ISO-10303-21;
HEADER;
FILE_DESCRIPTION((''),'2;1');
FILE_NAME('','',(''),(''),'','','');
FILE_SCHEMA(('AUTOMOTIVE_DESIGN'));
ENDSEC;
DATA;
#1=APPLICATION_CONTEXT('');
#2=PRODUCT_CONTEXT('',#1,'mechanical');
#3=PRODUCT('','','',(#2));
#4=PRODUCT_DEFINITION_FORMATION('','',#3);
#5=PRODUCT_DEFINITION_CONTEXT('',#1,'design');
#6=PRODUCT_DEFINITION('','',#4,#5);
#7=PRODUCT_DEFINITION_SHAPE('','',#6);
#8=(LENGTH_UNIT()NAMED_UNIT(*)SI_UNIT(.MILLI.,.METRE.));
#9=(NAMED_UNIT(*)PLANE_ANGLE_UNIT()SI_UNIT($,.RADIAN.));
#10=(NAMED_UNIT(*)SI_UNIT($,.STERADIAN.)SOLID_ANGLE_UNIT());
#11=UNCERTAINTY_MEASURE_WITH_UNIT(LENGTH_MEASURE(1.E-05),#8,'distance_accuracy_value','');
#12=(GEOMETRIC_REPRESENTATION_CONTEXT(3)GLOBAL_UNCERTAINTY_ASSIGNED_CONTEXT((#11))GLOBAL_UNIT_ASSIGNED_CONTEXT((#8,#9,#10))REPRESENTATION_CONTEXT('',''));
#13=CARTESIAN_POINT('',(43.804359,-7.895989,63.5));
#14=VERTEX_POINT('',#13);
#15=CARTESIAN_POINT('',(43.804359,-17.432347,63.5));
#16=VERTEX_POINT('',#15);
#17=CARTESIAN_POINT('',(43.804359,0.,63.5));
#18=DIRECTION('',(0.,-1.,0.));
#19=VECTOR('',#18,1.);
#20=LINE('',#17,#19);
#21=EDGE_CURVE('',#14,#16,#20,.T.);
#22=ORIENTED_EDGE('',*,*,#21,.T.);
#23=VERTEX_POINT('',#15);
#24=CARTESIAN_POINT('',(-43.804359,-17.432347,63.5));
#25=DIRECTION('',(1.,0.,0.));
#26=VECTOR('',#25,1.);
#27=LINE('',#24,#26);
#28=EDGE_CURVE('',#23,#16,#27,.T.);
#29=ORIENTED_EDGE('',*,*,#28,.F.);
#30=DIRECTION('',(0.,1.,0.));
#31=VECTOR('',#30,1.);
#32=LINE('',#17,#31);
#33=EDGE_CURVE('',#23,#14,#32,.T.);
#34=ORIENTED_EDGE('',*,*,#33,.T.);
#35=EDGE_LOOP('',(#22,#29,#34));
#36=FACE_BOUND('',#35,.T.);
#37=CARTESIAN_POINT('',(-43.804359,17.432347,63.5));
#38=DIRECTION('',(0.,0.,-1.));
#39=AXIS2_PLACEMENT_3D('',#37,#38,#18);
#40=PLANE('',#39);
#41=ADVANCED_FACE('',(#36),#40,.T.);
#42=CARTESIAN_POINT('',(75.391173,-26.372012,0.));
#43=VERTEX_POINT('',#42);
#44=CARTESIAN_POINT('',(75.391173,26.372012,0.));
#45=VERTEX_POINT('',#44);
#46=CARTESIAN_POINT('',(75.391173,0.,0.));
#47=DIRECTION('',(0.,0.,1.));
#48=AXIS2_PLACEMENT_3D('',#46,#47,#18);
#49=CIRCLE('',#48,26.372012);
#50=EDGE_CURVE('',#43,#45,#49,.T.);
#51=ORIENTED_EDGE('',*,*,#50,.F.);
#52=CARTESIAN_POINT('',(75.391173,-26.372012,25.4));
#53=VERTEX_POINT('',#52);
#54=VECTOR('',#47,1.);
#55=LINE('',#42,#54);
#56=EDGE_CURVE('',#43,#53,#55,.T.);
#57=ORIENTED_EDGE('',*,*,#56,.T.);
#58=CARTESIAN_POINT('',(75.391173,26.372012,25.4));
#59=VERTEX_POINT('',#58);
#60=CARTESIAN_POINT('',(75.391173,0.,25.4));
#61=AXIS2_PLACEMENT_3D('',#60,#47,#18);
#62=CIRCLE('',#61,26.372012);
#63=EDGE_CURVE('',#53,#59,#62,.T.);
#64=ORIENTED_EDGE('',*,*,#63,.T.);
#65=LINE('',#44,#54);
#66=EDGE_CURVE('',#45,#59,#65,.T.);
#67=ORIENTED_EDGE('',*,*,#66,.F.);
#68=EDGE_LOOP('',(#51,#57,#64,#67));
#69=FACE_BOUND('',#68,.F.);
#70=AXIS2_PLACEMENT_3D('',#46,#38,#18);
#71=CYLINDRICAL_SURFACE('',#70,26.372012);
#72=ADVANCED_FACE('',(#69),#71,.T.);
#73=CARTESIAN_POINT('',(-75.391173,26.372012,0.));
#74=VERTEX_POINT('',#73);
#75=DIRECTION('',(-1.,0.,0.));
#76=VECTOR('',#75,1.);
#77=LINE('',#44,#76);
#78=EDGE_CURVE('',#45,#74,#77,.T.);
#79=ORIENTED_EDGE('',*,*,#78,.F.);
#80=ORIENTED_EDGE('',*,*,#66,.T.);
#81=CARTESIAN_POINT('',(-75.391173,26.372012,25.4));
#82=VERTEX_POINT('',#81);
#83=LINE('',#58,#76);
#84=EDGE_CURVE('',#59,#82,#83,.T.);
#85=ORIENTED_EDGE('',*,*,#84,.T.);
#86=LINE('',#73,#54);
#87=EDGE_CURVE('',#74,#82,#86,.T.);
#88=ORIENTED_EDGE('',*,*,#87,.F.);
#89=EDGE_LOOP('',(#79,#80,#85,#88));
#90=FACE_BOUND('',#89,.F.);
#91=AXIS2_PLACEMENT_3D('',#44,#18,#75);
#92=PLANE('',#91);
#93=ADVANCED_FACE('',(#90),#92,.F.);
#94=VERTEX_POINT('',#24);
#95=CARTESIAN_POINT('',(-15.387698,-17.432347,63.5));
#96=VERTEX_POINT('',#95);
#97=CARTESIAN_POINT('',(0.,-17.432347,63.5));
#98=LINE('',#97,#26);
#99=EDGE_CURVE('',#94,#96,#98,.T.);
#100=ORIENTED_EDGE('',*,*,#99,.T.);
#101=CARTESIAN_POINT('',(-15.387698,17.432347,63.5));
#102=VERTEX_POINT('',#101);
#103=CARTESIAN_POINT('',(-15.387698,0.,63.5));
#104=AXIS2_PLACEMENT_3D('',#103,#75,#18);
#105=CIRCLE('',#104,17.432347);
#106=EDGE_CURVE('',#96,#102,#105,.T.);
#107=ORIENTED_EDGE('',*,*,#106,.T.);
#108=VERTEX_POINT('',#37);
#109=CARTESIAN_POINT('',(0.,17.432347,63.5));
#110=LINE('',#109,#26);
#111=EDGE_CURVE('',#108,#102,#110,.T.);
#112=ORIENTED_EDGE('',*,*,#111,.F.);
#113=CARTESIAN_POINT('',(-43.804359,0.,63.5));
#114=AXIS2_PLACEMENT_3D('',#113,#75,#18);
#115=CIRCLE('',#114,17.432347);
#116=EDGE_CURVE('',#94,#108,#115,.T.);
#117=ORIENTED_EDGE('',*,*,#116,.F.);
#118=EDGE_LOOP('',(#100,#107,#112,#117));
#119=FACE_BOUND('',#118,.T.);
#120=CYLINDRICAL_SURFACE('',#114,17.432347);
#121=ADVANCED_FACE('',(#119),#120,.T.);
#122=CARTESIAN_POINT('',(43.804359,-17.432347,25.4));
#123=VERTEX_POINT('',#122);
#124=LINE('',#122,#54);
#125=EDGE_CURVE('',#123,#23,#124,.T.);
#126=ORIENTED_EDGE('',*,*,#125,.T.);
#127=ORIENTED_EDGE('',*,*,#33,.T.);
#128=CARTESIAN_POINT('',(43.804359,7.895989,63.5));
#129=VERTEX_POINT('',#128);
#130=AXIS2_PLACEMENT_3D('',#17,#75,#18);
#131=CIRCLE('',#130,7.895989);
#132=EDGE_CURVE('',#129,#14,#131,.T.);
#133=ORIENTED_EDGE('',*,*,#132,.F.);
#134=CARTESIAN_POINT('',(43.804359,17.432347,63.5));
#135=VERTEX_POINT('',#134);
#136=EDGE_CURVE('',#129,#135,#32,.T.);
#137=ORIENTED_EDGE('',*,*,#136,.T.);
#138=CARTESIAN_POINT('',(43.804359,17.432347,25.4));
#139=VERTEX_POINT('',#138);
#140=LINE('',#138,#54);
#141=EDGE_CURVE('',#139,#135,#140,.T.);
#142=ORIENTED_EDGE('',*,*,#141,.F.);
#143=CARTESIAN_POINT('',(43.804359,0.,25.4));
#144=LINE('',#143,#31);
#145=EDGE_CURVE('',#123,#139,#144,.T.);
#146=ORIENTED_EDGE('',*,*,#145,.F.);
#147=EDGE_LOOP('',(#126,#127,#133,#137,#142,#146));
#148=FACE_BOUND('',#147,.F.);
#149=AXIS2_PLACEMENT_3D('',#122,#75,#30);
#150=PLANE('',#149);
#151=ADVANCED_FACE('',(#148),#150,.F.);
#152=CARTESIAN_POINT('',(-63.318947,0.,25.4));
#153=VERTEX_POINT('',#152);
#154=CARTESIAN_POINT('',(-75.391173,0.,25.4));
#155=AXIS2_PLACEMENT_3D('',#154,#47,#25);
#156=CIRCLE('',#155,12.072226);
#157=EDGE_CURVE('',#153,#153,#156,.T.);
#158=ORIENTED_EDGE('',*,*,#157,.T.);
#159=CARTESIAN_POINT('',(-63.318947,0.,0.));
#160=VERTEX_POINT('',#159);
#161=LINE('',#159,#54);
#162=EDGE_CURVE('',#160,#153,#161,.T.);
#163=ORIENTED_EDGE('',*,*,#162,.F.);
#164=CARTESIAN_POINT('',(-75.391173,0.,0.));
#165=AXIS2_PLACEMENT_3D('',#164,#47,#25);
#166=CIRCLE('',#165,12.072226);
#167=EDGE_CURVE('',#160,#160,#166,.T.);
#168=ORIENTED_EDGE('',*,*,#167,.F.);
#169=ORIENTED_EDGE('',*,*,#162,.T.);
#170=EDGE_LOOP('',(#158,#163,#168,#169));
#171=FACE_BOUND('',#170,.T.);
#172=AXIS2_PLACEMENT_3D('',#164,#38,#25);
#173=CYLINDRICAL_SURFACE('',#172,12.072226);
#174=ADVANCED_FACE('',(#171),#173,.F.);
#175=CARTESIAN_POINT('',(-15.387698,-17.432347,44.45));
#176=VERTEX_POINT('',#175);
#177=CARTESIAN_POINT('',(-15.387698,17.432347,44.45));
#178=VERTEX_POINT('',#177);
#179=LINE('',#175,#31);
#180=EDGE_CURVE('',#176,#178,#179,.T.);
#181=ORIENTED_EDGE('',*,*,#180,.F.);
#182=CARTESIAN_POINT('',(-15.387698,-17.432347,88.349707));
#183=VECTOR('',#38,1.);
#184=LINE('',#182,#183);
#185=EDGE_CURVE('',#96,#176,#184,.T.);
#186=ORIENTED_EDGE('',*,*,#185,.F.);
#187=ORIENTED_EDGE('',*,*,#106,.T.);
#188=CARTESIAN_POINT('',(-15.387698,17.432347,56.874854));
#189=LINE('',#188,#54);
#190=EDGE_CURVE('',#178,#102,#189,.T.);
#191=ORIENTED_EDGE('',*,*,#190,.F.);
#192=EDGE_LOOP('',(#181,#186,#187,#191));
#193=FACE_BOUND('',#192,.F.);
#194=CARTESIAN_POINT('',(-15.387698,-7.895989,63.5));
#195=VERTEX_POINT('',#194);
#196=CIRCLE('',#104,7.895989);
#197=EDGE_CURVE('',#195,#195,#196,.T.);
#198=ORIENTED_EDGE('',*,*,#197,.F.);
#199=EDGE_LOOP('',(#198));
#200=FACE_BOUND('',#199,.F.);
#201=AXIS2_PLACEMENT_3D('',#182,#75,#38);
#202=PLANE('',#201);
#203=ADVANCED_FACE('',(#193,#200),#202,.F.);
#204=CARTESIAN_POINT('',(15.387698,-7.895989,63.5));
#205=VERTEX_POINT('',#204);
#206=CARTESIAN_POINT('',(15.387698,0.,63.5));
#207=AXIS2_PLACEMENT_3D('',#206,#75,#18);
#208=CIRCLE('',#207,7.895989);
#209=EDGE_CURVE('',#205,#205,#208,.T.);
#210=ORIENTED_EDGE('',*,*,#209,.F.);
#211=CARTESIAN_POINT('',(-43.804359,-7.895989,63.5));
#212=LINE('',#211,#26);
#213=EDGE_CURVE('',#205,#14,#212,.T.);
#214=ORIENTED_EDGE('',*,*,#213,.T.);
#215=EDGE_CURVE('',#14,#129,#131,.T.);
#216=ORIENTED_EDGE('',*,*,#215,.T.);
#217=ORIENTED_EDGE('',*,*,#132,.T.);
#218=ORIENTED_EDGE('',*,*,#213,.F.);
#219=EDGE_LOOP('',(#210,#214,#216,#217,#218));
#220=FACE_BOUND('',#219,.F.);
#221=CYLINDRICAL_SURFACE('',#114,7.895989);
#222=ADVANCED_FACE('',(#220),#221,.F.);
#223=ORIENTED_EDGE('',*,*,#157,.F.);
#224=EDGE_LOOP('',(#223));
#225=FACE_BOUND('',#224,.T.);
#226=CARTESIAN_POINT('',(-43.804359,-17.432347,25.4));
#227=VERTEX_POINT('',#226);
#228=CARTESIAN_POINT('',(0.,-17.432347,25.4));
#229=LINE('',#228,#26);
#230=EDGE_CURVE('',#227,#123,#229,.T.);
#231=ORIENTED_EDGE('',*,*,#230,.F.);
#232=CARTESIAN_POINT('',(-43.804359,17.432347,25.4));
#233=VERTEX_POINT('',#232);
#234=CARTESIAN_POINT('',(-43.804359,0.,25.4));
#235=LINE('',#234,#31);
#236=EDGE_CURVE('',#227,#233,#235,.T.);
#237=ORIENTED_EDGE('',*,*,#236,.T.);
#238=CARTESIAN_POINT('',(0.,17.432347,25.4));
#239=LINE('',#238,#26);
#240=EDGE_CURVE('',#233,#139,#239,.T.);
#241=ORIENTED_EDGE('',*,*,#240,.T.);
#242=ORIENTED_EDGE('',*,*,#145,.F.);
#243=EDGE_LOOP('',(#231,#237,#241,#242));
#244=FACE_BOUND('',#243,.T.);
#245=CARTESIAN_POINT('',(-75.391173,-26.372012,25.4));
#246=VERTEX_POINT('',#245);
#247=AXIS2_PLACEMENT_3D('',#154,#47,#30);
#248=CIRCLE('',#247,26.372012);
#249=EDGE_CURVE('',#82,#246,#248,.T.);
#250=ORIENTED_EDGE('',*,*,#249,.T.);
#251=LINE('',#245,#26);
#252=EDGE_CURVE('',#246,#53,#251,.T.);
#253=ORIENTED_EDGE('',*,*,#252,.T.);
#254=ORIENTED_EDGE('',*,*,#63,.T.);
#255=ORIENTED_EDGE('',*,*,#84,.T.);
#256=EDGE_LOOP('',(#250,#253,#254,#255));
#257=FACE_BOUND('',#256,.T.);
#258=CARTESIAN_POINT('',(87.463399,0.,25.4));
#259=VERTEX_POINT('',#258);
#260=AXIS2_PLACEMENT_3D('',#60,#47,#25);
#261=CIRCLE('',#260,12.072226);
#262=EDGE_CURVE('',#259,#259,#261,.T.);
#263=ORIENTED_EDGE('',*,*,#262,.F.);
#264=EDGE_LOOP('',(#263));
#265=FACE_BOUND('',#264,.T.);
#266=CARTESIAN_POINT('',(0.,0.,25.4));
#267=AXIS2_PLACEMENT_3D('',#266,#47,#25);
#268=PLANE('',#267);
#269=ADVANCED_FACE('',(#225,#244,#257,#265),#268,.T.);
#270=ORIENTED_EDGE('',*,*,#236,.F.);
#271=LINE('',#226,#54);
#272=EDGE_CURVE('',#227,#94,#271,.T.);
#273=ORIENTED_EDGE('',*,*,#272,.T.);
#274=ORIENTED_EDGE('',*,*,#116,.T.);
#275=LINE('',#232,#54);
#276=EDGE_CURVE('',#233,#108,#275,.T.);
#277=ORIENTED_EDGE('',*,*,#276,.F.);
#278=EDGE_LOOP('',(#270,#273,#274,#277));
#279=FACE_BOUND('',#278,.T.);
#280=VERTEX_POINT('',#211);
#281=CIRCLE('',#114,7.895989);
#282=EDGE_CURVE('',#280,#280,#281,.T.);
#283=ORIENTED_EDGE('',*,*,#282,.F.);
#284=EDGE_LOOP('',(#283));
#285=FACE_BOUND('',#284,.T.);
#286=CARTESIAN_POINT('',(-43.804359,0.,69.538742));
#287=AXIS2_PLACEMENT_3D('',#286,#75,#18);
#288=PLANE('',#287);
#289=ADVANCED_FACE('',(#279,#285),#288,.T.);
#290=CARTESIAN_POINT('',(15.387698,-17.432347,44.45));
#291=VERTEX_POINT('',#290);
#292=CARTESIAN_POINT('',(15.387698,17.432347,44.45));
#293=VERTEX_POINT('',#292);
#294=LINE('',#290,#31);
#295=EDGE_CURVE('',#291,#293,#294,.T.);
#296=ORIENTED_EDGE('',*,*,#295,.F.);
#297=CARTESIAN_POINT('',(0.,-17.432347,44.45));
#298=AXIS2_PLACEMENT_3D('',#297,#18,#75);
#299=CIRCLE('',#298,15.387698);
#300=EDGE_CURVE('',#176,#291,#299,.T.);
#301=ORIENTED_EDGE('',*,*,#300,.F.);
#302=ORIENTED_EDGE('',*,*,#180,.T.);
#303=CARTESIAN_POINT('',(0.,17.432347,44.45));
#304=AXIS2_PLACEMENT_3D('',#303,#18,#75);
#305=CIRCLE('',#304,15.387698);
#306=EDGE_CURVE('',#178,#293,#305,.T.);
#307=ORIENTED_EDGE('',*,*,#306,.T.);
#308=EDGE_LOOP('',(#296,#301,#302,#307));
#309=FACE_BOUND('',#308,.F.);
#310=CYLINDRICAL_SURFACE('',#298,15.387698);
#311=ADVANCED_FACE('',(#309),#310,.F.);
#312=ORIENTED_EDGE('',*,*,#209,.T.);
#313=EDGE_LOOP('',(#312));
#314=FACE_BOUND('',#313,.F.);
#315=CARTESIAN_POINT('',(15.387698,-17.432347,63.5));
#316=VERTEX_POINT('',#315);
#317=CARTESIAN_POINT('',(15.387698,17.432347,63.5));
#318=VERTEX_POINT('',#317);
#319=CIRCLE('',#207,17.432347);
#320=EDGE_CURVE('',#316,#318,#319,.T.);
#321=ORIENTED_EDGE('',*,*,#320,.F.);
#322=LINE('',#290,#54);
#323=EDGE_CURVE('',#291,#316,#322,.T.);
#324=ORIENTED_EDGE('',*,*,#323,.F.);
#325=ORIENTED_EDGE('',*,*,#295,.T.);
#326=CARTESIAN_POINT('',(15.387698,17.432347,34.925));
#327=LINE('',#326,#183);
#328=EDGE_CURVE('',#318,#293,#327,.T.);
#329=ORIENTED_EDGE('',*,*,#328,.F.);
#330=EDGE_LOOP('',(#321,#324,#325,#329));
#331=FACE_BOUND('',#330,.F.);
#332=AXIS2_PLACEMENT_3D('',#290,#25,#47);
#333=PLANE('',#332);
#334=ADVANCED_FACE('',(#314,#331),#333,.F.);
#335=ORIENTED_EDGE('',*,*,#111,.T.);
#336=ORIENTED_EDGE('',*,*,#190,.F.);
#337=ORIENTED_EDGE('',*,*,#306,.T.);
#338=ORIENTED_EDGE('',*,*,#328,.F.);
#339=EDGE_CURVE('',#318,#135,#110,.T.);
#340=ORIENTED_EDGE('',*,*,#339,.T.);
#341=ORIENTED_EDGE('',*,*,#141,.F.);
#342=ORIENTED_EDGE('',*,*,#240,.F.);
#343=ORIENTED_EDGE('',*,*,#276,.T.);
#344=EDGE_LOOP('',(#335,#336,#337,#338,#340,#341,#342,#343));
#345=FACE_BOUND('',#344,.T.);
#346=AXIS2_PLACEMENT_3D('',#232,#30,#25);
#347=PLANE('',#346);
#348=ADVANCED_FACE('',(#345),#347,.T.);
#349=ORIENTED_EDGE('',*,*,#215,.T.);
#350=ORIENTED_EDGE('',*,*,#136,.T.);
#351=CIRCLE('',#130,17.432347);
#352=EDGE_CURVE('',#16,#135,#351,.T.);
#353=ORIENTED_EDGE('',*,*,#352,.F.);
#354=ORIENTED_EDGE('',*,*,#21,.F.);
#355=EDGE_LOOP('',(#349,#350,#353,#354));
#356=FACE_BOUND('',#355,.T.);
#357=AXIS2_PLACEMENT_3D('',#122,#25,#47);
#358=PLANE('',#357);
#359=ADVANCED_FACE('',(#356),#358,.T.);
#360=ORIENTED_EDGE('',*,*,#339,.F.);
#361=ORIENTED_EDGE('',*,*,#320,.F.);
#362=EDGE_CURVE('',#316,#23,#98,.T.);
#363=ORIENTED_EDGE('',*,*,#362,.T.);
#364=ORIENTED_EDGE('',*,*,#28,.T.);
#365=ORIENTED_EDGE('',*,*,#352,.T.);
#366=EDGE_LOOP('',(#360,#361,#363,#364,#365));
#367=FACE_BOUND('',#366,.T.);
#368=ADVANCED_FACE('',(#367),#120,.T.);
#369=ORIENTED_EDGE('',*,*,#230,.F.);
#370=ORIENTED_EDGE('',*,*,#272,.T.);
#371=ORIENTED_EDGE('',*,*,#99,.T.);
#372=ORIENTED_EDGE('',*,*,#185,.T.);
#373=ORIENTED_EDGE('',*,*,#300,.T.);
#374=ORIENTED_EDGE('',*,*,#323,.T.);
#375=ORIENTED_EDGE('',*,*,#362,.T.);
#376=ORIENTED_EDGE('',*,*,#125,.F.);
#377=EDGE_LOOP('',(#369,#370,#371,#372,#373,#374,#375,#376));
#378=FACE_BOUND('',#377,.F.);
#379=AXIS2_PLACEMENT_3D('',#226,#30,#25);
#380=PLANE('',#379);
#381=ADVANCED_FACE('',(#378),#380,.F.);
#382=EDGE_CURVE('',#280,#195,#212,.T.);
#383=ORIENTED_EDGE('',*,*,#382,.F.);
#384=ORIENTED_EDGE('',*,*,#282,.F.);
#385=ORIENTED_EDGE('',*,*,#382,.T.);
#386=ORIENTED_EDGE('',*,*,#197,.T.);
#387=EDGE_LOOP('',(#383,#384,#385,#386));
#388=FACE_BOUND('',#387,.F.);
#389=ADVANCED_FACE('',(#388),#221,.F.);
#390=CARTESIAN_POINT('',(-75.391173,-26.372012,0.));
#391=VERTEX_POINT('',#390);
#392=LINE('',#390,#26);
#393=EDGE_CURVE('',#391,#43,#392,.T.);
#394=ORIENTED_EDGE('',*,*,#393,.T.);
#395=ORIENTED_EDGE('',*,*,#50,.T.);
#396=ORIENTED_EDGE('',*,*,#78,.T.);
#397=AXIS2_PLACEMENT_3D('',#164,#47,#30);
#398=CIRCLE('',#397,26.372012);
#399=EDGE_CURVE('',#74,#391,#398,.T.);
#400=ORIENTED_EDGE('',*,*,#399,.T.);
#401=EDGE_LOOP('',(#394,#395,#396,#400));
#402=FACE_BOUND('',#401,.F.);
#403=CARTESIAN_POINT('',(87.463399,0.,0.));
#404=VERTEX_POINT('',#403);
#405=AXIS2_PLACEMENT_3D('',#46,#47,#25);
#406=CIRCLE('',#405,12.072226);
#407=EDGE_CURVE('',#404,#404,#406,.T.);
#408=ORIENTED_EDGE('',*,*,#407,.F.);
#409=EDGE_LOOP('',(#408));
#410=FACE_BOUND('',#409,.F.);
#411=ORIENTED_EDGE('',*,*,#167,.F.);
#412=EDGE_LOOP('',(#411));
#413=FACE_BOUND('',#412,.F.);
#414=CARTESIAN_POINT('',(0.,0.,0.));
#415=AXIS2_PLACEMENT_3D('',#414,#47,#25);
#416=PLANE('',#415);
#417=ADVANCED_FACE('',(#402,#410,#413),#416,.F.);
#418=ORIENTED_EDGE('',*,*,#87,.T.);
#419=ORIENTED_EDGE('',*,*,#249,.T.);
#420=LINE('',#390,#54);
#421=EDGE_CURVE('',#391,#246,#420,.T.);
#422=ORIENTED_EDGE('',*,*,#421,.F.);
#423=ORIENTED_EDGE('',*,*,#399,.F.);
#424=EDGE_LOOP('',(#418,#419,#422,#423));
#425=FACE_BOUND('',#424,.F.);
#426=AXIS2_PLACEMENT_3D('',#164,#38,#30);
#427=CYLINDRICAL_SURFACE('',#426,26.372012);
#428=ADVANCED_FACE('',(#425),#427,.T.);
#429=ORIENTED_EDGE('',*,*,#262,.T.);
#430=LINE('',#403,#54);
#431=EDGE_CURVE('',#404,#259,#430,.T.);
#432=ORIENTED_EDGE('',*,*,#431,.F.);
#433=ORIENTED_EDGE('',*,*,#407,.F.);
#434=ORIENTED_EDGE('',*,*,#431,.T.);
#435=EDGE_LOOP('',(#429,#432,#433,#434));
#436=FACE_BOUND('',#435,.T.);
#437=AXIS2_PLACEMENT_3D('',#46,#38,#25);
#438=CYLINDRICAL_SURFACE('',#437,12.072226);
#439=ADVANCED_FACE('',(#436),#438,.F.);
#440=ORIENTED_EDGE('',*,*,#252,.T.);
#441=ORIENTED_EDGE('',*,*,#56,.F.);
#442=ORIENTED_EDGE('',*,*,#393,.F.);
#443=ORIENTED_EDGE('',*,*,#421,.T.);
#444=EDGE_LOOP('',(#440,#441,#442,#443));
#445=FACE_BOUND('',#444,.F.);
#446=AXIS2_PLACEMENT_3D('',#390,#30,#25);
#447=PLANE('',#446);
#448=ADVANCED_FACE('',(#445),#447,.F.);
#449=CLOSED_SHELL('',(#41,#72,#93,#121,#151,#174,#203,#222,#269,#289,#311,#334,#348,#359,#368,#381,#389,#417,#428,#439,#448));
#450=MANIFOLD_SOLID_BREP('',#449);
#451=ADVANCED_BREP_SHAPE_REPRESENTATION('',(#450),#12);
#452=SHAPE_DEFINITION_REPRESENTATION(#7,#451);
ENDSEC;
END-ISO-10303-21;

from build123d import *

# Parameters (mm, degrees)
F0_R      = 12.072226
F1_DEPTH  = 25.4
F2_W      = 87.608718
F2_H      = 34.864694
F3_DEPTH  = 38.1
F5_DEPTH  = 95.504
F6_R      = 7.895989
F7_DEPTH  = 137.16
F9_DEPTH  = 43.18
F10_W     = 14.878865
F10_H     = 58.846174
F11_DEPTH = 63.246


with BuildPart() as f1:
    # F0 (on Top) → F1 (new body)
    with BuildSketch(Plane.XY):
        with BuildLine():
            ThreePointArc((75.391173, -26.372012), (101.763185, 0), (75.391173, 26.372012))
            Line((75.391173, 26.372012), (-75.391173, 26.372012))
            ThreePointArc((-75.391173, 26.372012), (-101.763185, 0), (-75.391173, -26.372012))
            Line((-75.391173, -26.372012), (75.391173, -26.372012))
        make_face()
        with Locations((-75.391173, 0)):
            Circle(F0_R, mode=Mode.SUBTRACT)
        with Locations((75.391173, 0)):
            Circle(F0_R, mode=Mode.SUBTRACT)
    extrude(amount=F1_DEPTH)

    # F2 (on face) → F3 (join)
    with BuildSketch(Plane.XY.offset(25.4)):
        Rectangle(F2_W, F2_H)
    extrude(amount=F3_DEPTH)

    # F4 (on face) → F5 (join)
    with BuildSketch(Plane(origin=(-43.804359, 0, 0), x_dir=(0, -1, 0), z_dir=(-1, 0, 0))):
        with BuildLine():
            Line((-17.432347, 63.5), (17.432347, 63.5))
            ThreePointArc((17.432347, 63.5), (0, 80.932347), (-17.432347, 63.5))
        make_face()
    extrude(amount=-F5_DEPTH)

    # F6 (on face) → F7 (cut)
    with BuildSketch(Plane(origin=(-43.804359, 0, 0), x_dir=(0, -1, 0), z_dir=(-1, 0, 0))):
        with Locations((0, 63.5)):
            Circle(F6_R)
    extrude(amount=-F7_DEPTH, mode=Mode.SUBTRACT)

    # F8 (on face) → F9 (cut)
    with BuildSketch(Plane.XZ.offset(17.432347)):
        with BuildLine():
            Line((-15.387698, 88.349707), (-15.387698, 44.45))
            ThreePointArc((-15.387698, 44.45), (0, 29.062302), (15.387698, 44.45))
            Line((15.387698, 44.45), (15.387698, 88.349707))
            Line((15.387698, 88.349707), (-15.387698, 88.349707))
        make_face()
    extrude(amount=-F9_DEPTH, mode=Mode.SUBTRACT)

    # F10 (on face) → F11 (cut)
    with BuildSketch(Plane.XZ.offset(17.432347)):
        with Locations((51.243792, 54.823087)):
            Rectangle(F10_W, F10_H)
    extrude(amount=-F11_DEPTH, mode=Mode.SUBTRACT)


solid = f1.part
